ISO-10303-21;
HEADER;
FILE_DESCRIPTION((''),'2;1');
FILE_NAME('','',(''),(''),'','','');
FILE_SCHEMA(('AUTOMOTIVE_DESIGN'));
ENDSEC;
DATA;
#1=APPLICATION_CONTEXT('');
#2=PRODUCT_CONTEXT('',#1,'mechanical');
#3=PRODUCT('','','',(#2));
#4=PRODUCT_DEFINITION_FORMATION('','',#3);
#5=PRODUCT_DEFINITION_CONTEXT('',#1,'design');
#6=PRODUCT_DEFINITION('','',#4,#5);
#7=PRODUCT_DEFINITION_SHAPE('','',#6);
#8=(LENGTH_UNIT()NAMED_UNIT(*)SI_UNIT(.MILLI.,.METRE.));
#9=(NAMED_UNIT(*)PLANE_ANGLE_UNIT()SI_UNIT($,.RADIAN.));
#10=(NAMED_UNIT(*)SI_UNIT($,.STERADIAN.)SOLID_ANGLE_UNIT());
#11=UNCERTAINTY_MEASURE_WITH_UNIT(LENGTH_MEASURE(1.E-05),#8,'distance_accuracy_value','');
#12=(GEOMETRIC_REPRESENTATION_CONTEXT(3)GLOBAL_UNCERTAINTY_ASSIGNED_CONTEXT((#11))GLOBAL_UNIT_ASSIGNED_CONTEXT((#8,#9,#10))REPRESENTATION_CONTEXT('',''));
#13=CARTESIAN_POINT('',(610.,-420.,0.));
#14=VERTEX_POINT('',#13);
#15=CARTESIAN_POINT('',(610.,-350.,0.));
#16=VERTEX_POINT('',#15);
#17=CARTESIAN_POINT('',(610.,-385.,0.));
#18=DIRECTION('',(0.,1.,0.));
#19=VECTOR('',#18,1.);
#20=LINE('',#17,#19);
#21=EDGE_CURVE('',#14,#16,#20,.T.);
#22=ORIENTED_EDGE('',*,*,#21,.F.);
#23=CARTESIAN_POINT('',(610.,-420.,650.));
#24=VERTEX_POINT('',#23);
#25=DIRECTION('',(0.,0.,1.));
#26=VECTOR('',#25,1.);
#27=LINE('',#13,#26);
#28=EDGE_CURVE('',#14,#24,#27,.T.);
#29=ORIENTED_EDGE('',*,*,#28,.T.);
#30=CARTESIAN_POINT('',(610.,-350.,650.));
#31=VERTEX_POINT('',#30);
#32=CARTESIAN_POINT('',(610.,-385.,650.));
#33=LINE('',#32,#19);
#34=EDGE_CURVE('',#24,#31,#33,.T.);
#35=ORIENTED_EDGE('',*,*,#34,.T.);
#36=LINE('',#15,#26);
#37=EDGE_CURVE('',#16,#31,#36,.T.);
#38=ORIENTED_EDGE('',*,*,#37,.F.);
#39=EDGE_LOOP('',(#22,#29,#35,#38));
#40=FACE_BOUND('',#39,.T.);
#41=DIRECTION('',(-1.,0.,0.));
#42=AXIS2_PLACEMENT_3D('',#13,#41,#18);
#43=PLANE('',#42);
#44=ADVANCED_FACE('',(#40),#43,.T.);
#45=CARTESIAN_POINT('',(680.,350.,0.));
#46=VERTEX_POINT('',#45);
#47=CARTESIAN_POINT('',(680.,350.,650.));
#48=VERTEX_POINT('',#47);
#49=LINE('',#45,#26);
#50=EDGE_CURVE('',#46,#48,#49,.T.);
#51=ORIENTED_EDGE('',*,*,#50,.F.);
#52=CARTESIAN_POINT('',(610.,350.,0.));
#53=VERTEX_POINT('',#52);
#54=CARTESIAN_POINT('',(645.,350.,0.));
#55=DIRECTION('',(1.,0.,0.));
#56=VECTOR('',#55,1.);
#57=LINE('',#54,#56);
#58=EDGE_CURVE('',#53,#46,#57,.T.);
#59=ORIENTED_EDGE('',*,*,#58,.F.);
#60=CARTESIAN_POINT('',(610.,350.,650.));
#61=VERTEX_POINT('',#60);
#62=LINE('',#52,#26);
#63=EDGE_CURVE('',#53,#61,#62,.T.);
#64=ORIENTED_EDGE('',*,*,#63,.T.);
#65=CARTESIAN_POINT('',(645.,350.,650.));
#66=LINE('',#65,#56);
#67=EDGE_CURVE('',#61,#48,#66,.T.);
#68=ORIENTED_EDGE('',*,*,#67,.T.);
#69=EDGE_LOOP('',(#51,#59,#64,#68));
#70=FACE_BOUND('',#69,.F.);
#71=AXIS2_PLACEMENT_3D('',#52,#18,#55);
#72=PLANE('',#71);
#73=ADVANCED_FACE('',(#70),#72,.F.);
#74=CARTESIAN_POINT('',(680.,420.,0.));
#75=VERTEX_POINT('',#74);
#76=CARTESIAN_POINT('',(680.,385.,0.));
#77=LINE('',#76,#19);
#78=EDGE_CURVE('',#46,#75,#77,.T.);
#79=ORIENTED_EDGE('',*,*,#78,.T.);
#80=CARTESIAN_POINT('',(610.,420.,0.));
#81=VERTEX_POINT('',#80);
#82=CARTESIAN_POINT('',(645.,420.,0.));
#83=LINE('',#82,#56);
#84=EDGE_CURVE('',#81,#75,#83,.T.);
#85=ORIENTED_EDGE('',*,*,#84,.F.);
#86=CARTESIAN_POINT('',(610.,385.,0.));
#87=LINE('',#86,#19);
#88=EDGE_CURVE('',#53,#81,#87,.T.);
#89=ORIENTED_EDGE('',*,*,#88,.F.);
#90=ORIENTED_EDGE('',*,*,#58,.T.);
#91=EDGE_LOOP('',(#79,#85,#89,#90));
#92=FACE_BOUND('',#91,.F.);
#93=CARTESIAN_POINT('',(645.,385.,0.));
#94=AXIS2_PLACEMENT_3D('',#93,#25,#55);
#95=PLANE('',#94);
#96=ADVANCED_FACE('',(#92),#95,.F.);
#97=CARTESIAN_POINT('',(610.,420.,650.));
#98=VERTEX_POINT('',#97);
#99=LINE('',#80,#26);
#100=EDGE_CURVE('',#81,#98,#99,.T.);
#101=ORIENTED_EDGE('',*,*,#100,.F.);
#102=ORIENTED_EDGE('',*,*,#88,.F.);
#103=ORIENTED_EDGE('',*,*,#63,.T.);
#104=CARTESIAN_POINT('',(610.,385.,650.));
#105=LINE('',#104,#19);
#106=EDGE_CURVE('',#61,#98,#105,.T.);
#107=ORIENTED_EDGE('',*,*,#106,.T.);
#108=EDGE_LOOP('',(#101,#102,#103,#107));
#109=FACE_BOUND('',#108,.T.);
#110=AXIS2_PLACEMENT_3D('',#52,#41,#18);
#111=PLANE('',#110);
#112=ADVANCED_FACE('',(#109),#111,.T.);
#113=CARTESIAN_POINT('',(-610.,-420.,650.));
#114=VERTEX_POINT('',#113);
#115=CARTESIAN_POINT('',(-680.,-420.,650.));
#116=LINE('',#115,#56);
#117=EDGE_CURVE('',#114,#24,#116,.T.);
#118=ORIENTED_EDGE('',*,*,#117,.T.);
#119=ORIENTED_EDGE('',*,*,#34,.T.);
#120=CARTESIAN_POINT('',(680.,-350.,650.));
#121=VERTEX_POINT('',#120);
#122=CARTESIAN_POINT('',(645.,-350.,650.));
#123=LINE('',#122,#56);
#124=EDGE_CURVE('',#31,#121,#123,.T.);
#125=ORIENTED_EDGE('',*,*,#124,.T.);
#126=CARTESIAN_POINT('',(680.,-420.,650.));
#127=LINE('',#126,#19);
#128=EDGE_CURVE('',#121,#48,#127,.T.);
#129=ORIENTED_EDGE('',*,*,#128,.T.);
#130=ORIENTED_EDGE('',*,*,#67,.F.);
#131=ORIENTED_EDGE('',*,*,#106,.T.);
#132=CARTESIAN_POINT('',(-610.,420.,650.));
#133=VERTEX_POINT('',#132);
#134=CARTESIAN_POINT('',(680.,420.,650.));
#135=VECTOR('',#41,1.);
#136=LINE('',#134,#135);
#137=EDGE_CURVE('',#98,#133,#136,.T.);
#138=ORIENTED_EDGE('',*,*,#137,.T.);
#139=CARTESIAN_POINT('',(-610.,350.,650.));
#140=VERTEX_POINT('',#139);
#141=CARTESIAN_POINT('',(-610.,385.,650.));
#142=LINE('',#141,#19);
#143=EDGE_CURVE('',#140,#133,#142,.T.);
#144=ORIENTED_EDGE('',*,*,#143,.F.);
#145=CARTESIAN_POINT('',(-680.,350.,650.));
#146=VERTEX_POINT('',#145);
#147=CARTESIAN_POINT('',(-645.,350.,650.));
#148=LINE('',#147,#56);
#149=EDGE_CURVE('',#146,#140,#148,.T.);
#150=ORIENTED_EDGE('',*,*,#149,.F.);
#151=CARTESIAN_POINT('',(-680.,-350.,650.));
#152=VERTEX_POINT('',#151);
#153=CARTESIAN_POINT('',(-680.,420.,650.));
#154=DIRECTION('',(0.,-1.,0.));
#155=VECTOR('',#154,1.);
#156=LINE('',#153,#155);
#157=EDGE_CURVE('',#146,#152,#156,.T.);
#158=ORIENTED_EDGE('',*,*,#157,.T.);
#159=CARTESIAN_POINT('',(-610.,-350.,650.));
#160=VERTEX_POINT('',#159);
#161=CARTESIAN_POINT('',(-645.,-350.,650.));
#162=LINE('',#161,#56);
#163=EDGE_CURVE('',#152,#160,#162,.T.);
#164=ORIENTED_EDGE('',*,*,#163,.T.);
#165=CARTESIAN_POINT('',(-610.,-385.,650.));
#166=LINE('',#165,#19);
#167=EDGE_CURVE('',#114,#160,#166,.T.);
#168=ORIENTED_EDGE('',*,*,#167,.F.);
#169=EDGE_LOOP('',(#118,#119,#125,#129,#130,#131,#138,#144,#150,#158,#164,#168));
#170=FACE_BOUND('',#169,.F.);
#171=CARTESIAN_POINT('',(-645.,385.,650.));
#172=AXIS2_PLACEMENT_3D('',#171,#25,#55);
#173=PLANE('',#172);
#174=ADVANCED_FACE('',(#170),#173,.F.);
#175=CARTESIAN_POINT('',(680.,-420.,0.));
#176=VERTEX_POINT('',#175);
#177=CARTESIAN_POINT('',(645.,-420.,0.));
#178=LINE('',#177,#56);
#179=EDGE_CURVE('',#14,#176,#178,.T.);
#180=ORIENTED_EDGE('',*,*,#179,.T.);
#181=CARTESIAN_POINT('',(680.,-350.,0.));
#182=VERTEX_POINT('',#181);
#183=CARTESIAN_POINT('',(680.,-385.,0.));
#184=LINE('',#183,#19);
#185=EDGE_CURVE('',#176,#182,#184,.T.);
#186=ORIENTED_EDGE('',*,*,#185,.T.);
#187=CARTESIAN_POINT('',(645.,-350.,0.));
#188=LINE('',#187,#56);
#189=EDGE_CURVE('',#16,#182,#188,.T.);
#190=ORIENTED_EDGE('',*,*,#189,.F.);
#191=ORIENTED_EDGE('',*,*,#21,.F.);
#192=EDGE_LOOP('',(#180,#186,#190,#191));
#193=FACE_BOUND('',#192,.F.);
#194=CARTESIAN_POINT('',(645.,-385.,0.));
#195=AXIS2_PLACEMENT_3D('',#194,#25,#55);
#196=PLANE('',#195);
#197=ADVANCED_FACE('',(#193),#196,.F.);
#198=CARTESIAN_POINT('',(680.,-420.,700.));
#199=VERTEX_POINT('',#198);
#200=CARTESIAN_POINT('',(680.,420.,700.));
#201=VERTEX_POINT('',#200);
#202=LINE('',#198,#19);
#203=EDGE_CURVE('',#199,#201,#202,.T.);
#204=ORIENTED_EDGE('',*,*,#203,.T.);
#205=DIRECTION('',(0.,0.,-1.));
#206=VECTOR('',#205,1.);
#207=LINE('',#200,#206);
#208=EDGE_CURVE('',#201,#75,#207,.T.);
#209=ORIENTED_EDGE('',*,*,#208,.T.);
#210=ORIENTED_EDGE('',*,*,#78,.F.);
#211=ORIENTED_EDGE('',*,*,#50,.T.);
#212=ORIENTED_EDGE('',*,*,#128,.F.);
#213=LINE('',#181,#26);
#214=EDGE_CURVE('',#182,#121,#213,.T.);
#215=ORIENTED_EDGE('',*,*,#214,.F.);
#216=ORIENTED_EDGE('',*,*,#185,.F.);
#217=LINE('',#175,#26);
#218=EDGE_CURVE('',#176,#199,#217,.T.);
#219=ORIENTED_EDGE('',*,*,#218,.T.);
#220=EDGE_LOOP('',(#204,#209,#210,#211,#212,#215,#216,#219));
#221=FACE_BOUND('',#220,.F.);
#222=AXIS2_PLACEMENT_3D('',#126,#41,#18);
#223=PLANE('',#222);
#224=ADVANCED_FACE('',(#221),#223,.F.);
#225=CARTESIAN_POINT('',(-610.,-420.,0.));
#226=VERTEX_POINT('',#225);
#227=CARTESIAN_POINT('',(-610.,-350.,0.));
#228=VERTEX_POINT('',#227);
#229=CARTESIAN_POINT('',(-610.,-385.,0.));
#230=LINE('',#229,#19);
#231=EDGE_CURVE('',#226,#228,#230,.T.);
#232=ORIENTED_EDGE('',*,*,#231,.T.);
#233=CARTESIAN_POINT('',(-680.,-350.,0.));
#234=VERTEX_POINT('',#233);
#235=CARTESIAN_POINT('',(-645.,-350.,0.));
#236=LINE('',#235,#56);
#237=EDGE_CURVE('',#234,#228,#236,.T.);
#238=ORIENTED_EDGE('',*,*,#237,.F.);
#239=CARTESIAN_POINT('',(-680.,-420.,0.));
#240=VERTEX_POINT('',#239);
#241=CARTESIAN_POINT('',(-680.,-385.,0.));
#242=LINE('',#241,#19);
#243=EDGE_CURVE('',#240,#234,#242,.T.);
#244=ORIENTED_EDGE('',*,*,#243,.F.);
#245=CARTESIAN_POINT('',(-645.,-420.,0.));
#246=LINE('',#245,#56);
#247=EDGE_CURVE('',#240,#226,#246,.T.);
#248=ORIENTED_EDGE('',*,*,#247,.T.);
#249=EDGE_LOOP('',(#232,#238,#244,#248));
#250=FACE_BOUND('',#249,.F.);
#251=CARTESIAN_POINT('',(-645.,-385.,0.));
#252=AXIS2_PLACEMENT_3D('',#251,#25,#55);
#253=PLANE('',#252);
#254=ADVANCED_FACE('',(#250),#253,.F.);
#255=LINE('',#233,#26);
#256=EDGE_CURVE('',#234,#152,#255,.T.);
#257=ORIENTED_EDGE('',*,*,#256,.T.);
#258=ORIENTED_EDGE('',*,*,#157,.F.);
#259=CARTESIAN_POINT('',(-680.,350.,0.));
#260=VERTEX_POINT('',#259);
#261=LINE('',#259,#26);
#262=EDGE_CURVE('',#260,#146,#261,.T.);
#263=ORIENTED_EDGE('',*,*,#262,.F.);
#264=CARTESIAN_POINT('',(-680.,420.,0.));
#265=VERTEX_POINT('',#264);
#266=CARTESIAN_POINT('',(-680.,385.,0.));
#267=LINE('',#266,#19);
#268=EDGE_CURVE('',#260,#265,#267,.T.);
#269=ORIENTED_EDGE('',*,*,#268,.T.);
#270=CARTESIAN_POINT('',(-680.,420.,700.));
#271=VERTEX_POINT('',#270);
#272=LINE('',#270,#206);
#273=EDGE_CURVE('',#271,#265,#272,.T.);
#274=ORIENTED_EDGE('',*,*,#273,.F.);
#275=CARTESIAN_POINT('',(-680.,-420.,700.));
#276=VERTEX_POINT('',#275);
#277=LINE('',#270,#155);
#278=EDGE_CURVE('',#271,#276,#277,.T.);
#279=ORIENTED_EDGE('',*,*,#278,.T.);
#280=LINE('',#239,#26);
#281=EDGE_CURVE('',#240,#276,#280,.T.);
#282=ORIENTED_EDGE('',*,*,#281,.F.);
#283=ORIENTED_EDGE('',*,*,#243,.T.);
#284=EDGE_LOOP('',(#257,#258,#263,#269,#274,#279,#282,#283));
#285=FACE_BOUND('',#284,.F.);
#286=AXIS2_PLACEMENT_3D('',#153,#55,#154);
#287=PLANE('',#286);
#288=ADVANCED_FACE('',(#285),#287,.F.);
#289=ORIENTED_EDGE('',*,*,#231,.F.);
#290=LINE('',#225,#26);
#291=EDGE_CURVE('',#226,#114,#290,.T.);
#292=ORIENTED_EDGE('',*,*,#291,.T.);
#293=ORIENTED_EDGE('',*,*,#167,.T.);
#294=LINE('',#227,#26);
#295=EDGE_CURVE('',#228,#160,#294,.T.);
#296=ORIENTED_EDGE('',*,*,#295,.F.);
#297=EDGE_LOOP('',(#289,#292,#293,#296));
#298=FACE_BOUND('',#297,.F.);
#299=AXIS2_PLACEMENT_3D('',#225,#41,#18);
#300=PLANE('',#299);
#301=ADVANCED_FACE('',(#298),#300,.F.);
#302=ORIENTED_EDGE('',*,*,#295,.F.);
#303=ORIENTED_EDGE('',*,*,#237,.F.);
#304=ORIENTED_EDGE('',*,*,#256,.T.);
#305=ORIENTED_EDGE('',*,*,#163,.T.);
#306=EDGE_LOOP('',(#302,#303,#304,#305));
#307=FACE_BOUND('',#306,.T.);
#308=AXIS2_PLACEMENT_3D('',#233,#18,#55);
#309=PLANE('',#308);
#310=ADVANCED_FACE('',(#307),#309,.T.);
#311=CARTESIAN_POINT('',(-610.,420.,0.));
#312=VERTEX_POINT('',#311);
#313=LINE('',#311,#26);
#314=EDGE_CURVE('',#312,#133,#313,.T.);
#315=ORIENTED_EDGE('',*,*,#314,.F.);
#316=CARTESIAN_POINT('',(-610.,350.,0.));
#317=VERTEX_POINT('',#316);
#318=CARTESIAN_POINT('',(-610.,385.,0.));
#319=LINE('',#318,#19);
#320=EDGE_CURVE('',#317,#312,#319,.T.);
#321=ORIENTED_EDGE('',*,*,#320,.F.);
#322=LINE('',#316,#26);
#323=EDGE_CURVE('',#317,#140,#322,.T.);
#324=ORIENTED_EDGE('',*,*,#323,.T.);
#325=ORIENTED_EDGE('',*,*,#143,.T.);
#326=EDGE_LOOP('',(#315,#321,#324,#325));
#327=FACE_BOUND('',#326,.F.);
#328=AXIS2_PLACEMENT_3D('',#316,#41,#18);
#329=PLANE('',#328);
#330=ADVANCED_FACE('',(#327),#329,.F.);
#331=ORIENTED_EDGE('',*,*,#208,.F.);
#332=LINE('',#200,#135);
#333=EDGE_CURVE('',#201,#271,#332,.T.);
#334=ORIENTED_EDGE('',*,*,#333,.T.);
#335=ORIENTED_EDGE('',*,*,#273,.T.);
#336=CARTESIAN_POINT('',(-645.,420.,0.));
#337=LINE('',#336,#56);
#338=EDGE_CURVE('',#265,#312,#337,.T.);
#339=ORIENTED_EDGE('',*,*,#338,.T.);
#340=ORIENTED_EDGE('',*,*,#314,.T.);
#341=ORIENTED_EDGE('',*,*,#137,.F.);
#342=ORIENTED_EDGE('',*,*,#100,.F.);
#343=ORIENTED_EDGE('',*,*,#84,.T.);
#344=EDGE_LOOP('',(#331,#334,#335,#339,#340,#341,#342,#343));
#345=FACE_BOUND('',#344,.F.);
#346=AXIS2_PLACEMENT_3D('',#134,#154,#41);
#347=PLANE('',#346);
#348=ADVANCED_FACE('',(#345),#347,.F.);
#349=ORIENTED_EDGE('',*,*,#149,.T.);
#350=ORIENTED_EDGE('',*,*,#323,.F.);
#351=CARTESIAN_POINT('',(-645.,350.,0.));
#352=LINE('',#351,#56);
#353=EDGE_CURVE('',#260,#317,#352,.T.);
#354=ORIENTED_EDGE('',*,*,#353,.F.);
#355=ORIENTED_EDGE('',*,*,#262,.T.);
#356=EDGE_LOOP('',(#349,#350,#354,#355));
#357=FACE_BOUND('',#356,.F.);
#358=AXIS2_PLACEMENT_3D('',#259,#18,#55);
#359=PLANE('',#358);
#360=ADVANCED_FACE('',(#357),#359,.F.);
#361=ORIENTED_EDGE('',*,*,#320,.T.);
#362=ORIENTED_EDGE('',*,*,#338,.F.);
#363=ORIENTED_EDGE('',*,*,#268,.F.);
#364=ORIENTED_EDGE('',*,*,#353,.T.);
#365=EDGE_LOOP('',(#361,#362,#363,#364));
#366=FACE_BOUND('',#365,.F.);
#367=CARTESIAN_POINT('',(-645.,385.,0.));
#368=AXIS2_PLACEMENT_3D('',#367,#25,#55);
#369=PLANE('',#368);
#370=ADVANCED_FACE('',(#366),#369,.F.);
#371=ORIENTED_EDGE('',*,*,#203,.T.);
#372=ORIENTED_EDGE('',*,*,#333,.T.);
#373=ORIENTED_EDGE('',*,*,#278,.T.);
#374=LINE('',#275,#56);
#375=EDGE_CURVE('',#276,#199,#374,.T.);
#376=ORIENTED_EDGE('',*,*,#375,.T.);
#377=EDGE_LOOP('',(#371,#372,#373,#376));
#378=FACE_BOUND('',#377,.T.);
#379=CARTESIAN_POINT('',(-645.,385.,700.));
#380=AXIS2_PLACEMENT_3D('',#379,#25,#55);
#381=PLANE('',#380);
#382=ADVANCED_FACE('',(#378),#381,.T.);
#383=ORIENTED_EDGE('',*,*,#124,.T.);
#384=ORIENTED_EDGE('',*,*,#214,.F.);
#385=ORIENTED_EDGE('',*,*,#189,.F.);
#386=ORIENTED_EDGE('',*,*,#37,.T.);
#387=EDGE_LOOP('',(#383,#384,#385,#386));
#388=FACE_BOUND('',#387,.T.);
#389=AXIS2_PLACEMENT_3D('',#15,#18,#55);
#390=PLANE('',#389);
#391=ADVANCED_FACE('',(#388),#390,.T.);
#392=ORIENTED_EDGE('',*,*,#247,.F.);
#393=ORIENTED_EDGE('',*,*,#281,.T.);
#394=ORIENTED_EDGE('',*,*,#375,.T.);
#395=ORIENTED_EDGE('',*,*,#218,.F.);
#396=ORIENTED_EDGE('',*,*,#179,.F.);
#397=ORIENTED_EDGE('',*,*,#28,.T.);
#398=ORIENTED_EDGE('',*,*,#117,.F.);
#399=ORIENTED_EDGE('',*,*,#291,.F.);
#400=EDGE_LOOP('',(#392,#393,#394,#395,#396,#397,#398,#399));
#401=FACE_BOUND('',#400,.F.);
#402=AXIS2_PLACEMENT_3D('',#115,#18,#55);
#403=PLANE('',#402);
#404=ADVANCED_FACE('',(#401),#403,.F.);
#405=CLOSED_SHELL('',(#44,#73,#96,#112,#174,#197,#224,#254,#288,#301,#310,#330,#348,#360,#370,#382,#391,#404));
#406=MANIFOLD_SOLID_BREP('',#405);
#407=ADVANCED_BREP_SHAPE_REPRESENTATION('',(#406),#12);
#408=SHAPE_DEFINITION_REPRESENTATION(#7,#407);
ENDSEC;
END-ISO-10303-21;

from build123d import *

# Parameters (mm, degrees)
F0_W     = 70
F0_H     = 70
F1_DEPTH = 650
F2_START = 650
F2_DEPTH = 50


with BuildPart() as f1:
    # F0 (on Top) → F1 (new body)
    with BuildSketch(Plane.XY):
        with Locations((-645, 385)):
            Rectangle(F0_W, F0_H)
    extrude(amount=F1_DEPTH)



with BuildPart() as f1b:
    # F0 (on Top) → F1, piece 2 (new body)
    with BuildSketch(Plane.XY):
        with Locations((645, 385)):
            Rectangle(F0_W, F0_H)
    extrude(amount=F1_DEPTH)


with BuildPart() as f1c:
    # F0 (on Top) → F1, piece 3 (new body)
    with BuildSketch(Plane.XY):
        with Locations((645, -385)):
            Rectangle(F0_W, F0_H)
    extrude(amount=F1_DEPTH)


with BuildPart() as f1d:
    # F0 (on Top) → F1, piece 4 (new body)
    with BuildSketch(Plane.XY):
        with Locations((-645, -385)):
            Rectangle(F0_W, F0_H)
    extrude(amount=F1_DEPTH)


with BuildPart() as f1_1:
    add(f1.part)

    add(f1b.part)  # F2 merges F1b

    add(f1c.part)  # F2 merges F1c

    add(f1d.part)  # F2 merges F1d
    # F0 (on Top) → F2 (join)
    with BuildSketch(Plane.XY.offset(F2_START)):
        with Locations((-645, 385)):
            Rectangle(F0_W, F0_H)
        Polygon((610, 420), (-610, 420), (-610, 350), (-680, 350), (-680, -350), (-610, -350), (-610, -420), (610, -420), (610, -350), (680, -350), (680, 350), (610, 350), align=None)
        with Locations((-645, -385)):
            Rectangle(F0_W, F0_H)
        with Locations((645, 385)):
            Rectangle(F0_W, F0_H)
        with Locations((645, -385)):
            Rectangle(F0_W, F0_H)
    extrude(amount=F2_DEPTH)


solid = f1_1.part
